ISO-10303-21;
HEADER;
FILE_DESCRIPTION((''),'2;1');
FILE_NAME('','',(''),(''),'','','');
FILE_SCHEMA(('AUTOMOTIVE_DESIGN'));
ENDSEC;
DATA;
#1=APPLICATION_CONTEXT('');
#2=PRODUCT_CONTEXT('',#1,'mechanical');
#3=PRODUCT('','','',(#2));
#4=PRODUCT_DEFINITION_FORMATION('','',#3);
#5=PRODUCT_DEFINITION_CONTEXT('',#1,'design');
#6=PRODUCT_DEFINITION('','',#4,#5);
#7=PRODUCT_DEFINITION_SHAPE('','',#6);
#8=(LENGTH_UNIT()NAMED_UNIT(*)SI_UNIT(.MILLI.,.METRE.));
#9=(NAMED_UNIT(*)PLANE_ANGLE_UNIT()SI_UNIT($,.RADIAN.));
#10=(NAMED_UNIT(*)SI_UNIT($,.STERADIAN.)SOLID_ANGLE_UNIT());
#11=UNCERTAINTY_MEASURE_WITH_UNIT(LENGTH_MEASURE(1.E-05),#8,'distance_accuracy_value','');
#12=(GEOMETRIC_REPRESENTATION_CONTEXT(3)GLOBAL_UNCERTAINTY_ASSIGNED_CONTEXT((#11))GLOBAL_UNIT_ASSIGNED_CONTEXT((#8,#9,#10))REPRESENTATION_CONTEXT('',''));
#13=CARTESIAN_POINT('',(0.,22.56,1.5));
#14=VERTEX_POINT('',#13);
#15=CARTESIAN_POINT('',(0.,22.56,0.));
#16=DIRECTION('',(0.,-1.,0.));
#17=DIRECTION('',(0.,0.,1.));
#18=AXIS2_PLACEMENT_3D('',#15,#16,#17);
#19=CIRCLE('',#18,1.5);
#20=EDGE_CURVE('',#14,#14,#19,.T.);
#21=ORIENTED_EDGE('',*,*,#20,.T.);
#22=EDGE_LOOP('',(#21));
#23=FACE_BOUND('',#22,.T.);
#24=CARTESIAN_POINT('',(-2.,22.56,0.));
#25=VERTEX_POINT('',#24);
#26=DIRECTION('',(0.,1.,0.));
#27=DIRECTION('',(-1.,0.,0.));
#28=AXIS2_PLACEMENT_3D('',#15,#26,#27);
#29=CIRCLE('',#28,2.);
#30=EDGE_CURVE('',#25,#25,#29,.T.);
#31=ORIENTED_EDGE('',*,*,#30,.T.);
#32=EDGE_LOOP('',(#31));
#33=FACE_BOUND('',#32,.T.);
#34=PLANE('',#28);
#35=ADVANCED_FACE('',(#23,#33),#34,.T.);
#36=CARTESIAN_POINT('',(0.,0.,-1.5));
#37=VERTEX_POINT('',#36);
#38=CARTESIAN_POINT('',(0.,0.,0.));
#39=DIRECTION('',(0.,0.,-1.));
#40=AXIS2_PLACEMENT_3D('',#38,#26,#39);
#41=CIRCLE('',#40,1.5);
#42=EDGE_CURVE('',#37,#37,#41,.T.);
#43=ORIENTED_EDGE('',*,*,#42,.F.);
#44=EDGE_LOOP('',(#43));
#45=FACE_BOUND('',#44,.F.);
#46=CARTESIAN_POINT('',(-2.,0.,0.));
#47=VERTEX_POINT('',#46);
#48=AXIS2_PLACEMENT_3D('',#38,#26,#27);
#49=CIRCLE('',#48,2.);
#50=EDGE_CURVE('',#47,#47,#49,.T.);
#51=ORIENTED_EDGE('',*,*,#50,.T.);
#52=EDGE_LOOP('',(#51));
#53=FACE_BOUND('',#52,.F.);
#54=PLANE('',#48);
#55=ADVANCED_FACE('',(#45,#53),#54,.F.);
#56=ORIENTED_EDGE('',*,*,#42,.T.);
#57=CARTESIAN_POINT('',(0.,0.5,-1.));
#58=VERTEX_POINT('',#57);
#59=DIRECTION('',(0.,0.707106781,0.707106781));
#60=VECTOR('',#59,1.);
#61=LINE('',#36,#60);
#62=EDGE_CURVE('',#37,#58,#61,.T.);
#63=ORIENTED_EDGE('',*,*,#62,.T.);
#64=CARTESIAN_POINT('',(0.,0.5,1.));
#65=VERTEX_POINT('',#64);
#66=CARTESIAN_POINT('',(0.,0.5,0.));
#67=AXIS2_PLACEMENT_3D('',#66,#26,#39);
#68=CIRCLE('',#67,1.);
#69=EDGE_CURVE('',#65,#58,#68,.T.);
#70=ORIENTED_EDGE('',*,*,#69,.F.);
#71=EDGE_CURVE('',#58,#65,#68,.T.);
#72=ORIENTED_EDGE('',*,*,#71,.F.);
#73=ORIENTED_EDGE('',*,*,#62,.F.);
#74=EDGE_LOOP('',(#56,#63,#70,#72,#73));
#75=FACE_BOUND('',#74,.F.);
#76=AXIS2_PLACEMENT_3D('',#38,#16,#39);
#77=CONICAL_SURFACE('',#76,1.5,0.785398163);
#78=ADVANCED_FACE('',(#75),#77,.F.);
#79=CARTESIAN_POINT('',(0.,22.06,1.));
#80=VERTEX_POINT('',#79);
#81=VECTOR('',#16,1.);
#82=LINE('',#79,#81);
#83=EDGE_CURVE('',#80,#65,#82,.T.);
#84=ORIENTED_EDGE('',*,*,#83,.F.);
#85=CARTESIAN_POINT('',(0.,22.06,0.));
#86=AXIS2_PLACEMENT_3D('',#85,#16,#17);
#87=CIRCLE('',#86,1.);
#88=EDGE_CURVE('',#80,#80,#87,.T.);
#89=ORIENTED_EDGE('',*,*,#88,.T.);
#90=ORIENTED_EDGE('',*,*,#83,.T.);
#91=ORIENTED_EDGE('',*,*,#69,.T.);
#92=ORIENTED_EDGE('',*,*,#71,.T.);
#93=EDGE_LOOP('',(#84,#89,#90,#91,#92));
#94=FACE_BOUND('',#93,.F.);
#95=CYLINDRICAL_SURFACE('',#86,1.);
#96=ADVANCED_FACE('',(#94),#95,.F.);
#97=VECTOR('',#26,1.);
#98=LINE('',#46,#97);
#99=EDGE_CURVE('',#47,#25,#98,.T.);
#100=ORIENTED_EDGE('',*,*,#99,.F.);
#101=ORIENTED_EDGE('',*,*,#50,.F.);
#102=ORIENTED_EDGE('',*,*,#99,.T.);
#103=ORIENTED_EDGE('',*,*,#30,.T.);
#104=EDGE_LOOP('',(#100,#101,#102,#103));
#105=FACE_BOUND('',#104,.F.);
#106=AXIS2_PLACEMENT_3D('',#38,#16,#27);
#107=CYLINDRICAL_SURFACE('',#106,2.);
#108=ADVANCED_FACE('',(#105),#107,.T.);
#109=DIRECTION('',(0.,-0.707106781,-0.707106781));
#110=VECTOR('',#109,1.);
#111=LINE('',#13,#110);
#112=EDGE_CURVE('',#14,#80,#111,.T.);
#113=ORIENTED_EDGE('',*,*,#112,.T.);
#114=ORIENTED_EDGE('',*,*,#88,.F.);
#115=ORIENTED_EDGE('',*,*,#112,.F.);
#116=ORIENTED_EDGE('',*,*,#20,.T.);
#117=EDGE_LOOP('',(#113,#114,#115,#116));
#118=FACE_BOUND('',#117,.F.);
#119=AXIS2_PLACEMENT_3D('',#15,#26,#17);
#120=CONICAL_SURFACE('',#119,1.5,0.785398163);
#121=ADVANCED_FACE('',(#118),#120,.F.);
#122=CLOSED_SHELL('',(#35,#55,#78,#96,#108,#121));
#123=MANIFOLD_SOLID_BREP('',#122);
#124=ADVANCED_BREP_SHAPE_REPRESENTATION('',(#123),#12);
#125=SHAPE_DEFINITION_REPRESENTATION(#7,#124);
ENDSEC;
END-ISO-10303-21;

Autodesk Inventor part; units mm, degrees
ref_plane "YZ Plane" through (0, 0, 0) normal (1, 0, 0) x (0, 1, 0)
ref_plane "XZ Plane" through (0, 0, 0) normal (0, 1, 0) x (-1, 0, 0)
ref_plane "XY Plane" through (0, 0, 0) normal (0, 0, 1) x (1, 0, 0)
sketch "スケッチ1" plane through (0, 0, 0) normal (0, 1, 0) x (-1, 0, 0)
  circle A0 centre (0, 0) radius 2
  dimension "d0" = 4
extrude "押し出し1" add sketch "スケッチ1" along normal blind 22.56
sketch "スケッチ2" plane through (0, 22.56, 0) normal (0, 1, 0) x (1, 0, 0)
  point P0 (0, 0)
hole "穴1" at (0, 22.56, 0) direction (0, -1, 0) diameter 2 end through all countersink diameter 3 countersink angle 90 clearance for "Countersunk Flat Head Screw ISO 2009/7046" size "M2" standard "ISO"
sketch "スケッチ3" plane through (0, 0, 0) normal (0, -1, 0) x (1, 0, 0)
  point P0 (0, 0)
hole "穴2" at (0, 0, 0) direction (0, 1, 0) diameter 2 end through all countersink diameter 3 countersink angle 90 clearance for "Countersunk Flat Head Screw ISO 2009/7046" size "M2" standard "ISO"
properties part number "shaft" material "鉄、鋳鉄"
